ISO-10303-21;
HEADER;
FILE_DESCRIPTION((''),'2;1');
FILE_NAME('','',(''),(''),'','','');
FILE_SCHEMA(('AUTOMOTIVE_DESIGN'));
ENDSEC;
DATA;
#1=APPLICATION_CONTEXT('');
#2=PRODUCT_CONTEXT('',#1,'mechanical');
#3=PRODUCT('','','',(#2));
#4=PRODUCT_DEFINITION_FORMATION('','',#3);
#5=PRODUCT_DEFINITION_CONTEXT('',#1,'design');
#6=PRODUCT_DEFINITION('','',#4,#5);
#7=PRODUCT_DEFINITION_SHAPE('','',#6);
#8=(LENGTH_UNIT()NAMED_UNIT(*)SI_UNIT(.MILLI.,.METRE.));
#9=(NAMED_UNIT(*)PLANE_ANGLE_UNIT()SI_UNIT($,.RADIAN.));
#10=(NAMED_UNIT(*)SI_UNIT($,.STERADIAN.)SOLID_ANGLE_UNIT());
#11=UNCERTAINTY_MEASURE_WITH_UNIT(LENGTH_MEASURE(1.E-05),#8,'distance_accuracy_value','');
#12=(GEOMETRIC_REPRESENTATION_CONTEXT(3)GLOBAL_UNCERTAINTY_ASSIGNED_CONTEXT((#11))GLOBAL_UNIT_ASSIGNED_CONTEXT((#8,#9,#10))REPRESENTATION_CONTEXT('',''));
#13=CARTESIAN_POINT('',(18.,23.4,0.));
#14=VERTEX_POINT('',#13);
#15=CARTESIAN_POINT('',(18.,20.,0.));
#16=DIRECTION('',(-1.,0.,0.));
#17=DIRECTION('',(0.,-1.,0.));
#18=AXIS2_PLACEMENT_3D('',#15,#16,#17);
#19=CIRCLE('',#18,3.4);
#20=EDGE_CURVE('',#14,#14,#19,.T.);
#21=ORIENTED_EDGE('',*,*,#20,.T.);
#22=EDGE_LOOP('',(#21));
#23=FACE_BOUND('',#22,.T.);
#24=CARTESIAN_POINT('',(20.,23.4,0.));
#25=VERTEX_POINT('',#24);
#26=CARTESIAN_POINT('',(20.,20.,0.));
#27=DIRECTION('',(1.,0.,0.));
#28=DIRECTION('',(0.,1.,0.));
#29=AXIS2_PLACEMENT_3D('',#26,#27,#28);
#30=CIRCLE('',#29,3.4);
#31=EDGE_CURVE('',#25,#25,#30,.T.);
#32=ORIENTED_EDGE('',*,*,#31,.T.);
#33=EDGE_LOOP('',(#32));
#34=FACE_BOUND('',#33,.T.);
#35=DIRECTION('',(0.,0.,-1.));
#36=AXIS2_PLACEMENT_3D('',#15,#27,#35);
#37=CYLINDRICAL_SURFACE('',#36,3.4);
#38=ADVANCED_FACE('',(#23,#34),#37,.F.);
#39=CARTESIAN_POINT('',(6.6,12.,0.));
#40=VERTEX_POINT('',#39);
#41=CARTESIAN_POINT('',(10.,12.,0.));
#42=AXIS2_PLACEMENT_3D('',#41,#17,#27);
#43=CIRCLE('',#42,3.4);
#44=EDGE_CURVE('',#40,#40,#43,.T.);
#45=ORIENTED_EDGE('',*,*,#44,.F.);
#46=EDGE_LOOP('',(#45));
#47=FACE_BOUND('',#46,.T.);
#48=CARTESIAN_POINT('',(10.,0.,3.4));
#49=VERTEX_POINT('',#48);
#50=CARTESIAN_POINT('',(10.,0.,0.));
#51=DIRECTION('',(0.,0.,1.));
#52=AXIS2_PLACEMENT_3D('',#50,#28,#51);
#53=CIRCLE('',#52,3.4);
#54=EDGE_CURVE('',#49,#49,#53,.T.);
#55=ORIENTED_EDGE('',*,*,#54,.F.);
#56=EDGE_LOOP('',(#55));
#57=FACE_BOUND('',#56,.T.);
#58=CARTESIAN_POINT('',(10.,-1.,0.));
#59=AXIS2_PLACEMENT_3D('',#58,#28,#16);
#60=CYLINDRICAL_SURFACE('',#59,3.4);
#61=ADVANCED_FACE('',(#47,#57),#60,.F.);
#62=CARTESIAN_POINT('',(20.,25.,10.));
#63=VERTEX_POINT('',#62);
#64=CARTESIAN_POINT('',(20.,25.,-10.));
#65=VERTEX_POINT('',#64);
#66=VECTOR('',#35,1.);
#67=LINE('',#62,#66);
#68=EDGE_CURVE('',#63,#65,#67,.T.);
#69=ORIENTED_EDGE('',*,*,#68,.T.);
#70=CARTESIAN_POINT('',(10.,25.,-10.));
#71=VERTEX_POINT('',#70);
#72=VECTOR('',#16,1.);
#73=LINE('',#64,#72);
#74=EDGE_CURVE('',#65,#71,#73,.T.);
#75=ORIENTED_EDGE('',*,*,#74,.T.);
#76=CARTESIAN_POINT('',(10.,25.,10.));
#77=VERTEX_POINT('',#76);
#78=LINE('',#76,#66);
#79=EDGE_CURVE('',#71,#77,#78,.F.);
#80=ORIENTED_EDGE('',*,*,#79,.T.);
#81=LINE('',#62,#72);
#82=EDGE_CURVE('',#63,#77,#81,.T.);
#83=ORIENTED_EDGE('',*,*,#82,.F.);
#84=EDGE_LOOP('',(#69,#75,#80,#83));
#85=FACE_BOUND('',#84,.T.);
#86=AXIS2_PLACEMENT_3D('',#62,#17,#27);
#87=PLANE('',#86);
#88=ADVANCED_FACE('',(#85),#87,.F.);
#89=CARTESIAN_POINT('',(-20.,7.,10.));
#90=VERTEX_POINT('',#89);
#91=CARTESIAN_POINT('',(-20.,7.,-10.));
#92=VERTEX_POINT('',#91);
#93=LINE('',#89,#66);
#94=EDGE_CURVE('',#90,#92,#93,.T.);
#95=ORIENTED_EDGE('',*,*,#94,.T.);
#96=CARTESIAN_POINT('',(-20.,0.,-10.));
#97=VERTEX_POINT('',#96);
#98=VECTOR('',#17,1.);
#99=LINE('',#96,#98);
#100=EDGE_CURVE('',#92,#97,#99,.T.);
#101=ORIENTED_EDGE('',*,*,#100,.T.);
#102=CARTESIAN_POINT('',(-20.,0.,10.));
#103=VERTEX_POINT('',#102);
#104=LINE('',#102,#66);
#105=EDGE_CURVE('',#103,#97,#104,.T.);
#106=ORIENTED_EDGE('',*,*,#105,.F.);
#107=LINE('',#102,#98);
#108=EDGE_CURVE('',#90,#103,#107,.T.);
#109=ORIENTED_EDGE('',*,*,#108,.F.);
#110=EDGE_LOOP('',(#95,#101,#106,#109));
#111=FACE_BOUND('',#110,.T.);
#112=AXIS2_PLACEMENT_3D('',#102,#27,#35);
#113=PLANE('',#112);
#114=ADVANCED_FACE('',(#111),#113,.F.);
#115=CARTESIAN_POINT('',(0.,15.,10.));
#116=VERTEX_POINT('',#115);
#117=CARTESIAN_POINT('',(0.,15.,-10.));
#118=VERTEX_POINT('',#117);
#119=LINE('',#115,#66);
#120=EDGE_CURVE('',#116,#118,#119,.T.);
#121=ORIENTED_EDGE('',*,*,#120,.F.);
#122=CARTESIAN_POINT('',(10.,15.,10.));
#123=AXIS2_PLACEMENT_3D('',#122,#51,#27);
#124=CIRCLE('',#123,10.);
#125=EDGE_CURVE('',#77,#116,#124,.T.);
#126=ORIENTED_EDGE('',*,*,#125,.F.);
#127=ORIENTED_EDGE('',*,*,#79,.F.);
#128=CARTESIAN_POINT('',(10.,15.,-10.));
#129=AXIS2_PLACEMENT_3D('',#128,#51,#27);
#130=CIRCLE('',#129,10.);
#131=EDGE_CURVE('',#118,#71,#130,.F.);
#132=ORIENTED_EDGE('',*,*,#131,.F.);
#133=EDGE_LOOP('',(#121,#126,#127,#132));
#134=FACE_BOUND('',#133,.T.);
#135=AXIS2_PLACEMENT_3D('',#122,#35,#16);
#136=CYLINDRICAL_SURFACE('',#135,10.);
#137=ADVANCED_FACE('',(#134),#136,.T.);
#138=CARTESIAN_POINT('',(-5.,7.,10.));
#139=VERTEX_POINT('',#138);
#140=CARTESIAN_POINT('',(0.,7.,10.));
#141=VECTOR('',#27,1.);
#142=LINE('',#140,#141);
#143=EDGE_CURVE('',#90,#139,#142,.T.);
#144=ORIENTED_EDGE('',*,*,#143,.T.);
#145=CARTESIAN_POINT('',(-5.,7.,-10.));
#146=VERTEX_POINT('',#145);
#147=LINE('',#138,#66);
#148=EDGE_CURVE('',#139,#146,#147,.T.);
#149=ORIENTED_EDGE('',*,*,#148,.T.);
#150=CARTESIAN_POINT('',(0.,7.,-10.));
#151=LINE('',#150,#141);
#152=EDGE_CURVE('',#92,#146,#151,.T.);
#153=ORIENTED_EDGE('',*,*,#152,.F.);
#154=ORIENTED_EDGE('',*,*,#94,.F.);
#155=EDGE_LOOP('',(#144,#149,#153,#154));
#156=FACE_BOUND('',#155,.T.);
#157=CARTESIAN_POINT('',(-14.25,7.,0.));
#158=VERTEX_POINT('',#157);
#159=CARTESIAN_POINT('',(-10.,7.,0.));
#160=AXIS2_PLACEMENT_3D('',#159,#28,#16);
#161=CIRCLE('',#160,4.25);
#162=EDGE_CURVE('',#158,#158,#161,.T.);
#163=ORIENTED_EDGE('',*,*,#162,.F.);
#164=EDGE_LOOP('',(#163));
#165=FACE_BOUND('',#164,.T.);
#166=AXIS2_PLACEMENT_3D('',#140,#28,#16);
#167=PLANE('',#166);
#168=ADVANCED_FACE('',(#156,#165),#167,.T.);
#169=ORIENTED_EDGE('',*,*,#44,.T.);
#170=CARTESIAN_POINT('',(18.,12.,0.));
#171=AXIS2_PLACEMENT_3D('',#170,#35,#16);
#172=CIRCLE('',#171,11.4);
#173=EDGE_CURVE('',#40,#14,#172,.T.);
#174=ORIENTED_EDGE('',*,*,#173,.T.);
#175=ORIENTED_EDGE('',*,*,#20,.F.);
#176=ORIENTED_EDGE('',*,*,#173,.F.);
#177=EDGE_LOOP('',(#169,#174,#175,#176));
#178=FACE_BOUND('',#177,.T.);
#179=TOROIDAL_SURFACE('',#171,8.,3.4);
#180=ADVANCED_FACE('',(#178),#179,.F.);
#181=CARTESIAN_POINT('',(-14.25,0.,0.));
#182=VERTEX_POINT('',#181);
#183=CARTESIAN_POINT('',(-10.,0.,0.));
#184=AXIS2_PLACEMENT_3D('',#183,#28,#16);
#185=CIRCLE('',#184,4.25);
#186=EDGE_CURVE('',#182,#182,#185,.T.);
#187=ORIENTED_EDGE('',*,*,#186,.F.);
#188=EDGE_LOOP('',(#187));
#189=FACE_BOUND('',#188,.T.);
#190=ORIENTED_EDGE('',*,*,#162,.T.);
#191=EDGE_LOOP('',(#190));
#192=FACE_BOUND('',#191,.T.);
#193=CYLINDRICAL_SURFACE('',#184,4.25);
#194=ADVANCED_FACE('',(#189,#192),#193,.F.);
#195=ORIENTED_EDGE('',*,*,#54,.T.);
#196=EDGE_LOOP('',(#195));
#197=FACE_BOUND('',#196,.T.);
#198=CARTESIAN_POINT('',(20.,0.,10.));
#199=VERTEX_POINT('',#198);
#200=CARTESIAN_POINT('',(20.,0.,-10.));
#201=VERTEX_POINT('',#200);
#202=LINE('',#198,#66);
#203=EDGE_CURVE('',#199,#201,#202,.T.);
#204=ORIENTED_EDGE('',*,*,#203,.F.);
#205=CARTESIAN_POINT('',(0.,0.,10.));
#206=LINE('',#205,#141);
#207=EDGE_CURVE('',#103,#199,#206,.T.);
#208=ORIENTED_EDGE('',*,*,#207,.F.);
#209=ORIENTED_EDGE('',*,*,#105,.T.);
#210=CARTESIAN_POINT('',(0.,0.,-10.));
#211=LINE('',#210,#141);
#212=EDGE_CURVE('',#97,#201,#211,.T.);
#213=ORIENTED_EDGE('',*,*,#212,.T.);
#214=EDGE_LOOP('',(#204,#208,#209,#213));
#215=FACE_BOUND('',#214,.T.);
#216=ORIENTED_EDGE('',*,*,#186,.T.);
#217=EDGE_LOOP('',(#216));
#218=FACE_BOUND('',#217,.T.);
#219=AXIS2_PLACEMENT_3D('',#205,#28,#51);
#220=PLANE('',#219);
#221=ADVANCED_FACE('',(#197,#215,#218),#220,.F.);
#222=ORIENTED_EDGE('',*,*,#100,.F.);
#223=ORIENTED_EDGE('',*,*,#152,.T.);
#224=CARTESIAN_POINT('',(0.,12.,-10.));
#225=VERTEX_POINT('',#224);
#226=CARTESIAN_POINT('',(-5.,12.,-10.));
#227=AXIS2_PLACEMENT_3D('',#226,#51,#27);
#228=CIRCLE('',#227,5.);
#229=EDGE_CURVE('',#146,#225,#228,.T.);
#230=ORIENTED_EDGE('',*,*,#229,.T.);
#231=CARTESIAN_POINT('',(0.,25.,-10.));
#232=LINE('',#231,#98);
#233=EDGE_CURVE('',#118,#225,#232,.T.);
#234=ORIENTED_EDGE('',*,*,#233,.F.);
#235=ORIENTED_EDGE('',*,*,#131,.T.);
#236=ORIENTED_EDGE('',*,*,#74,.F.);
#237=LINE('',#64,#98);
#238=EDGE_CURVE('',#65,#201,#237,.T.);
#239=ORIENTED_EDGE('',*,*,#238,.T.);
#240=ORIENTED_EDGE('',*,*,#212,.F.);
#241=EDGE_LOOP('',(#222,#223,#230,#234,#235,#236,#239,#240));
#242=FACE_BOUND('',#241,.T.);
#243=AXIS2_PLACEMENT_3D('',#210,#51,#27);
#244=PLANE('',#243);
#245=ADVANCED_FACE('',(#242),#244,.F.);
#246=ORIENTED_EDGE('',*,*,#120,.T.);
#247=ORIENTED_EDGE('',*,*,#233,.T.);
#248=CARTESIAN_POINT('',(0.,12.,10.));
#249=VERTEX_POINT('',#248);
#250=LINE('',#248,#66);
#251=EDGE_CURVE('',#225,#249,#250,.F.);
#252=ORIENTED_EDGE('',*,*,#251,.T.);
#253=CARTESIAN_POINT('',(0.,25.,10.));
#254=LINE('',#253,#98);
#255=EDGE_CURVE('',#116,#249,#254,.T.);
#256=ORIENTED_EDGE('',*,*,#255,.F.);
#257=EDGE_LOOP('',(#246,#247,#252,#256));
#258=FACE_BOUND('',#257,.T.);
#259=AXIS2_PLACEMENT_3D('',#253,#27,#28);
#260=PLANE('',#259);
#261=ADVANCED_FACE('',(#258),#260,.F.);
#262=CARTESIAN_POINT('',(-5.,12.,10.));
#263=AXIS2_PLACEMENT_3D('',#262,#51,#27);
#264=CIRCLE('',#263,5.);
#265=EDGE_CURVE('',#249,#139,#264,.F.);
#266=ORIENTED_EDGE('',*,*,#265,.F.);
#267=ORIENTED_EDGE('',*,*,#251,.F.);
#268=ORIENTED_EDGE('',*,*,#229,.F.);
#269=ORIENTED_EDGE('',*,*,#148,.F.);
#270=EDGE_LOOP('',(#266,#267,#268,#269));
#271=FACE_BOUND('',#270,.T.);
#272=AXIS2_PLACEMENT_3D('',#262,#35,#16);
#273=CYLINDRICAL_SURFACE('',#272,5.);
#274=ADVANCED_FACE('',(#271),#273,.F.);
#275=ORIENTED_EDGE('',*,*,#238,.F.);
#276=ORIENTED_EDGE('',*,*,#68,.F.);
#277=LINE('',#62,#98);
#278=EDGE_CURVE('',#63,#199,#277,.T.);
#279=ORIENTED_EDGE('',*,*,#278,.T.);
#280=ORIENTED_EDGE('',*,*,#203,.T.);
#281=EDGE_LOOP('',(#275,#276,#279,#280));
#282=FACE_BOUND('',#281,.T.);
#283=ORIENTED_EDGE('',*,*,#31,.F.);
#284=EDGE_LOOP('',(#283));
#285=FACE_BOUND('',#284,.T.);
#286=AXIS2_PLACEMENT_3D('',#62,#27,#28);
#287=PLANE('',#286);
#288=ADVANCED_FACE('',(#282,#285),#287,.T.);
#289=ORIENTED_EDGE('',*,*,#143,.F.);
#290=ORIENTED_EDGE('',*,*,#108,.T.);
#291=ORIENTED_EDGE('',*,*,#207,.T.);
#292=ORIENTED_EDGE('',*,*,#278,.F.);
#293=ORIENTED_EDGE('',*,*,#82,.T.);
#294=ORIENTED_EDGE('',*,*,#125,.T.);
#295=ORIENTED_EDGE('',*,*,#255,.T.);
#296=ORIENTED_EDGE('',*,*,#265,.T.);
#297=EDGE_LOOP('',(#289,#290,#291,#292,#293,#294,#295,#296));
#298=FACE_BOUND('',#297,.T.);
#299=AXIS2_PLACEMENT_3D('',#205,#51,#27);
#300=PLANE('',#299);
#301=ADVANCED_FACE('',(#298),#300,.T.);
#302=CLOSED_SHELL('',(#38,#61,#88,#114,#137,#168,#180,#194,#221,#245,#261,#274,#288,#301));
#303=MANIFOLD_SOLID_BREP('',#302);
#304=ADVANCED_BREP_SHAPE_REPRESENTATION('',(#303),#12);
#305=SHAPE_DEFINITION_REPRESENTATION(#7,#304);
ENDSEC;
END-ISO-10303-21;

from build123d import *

# Parameters (mm, degrees)
EXTRUDE_1_DEPTH     = 10
SKETCH_2_R          = 4.25
CUT_EXTRUDE_1_DEPTH = 8
SKETCH_4_R          = 3.4
FILLET_1_R          = 5
FILLET_2_R          = 10


with BuildPart() as part:
    # 草圖1 → 填料-伸長1 (new body, symmetric)
    with BuildSketch(Plane.XY):
        Polygon((20, 0), (20, 25), (0, 25), (0, 7), (-20, 7), (-20, 0), align=None)
    extrude(amount=EXTRUDE_1_DEPTH, both=True)

    # 草圖2 → 除料-伸長1 (cut, through all)
    with BuildSketch(Plane(origin=(0, 7, 0), x_dir=(1, 0, 0), z_dir=(0, 1, 0))):
        with Locations((-10, 0)):
            Circle(SKETCH_2_R)
    extrude(amount=-CUT_EXTRUDE_1_DEPTH, mode=Mode.SUBTRACT)

    # 除料-掃出1: sweep along a path in 草圖5
    with BuildLine(Plane(origin=(20, 0, 0), x_dir=(-1, 0, 0), z_dir=(0, 0, -1))) as sweep_1_path:
        Line((10, 0), (10, 12))
        ThreePointArc((10, 12), (7.656854249, 17.656854249), (2, 20))
        Line((2, 20), (0, 20))
    # 草圖4 → 除料-掃出1 (sweep, cut)
    with BuildSketch(Plane.XZ):
        with Locations((10, 0)):
            Circle(SKETCH_4_R)
    sweep(path=sweep_1_path.line, mode=Mode.SUBTRACT)

    # 圓角1
    fillet_1_edges = [part.edges().sort_by_distance(p)[0] for p in [
        (0, 7, 0),
    ]]
    fillet(fillet_1_edges, radius=FILLET_1_R)

    # 圓角2
    fillet_2_edges = [part.edges().sort_by_distance(p)[0] for p in [
        (0, 25, 0),
    ]]
    fillet(fillet_2_edges, radius=FILLET_2_R)


solid = part.part
